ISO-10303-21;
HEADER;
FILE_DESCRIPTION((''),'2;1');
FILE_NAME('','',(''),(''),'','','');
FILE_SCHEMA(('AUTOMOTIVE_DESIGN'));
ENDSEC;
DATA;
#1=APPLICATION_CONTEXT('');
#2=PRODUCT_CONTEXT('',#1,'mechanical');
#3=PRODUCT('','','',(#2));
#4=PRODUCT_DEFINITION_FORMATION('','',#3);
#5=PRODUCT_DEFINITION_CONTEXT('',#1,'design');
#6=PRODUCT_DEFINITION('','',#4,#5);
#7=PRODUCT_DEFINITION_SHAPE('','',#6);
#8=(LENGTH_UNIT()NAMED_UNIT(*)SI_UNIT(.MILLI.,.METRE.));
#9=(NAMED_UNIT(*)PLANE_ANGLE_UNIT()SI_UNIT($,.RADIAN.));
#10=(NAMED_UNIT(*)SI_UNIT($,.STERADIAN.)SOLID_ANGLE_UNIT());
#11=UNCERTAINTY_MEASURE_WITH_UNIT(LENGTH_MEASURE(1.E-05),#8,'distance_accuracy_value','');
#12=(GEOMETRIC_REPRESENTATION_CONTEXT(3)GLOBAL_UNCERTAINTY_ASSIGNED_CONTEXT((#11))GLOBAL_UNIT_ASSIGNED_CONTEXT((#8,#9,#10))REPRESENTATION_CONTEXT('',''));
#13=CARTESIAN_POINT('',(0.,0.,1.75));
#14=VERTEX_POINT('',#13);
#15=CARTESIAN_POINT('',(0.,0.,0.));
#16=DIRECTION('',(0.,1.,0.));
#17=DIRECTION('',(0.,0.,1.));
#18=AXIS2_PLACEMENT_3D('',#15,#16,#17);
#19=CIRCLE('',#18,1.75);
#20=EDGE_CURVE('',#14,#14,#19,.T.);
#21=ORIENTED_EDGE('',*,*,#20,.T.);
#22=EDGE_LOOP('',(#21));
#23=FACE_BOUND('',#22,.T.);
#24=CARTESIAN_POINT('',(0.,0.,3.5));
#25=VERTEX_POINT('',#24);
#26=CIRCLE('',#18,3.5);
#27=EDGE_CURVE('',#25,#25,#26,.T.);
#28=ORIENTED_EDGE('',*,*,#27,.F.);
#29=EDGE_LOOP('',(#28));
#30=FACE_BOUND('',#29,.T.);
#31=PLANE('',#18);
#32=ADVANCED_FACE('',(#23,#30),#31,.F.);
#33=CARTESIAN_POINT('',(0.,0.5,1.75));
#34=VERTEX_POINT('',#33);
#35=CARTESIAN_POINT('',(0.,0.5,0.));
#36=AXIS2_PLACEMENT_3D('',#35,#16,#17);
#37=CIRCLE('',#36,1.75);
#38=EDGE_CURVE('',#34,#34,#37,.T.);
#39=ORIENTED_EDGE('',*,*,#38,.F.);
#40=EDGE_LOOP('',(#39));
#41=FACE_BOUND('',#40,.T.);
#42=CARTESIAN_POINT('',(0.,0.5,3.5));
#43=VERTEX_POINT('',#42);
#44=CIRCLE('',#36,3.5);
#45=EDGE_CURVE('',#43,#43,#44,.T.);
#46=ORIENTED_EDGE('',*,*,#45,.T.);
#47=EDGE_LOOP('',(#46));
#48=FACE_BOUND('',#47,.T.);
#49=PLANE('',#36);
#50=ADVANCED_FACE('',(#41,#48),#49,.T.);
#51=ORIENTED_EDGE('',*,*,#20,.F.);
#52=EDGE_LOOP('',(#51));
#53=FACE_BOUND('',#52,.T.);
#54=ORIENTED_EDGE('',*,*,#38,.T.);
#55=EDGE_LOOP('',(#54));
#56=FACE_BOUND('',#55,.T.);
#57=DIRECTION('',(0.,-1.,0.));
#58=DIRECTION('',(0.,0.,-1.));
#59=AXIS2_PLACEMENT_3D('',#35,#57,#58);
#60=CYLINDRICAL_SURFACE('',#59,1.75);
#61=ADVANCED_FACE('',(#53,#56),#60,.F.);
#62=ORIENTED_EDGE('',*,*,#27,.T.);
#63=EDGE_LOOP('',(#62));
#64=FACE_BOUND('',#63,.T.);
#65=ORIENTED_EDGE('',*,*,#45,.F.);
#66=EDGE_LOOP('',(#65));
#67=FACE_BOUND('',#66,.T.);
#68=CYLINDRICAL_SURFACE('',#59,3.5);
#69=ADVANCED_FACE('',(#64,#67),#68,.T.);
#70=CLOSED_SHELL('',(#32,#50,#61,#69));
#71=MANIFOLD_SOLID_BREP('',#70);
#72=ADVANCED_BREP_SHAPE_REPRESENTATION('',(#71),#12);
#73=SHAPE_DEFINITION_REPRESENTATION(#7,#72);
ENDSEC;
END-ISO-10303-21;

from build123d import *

# Parameters (mm, degrees)
SKICA1_R                = 3.5
SKICA1_R_2              = 1.75
P_IDAT_VYSUNUT_M1_DEPTH = 0.5


with BuildPart() as part:
    # Skica1 → Přidat vysunutím1 (new body)
    with BuildSketch(Plane(origin=(0, 0, 0), x_dir=(1, 0, 0), z_dir=(0, 1, 0))):
        Circle(SKICA1_R)
        Circle(SKICA1_R_2, mode=Mode.SUBTRACT)
    extrude(amount=P_IDAT_VYSUNUT_M1_DEPTH)


solid = part.part
